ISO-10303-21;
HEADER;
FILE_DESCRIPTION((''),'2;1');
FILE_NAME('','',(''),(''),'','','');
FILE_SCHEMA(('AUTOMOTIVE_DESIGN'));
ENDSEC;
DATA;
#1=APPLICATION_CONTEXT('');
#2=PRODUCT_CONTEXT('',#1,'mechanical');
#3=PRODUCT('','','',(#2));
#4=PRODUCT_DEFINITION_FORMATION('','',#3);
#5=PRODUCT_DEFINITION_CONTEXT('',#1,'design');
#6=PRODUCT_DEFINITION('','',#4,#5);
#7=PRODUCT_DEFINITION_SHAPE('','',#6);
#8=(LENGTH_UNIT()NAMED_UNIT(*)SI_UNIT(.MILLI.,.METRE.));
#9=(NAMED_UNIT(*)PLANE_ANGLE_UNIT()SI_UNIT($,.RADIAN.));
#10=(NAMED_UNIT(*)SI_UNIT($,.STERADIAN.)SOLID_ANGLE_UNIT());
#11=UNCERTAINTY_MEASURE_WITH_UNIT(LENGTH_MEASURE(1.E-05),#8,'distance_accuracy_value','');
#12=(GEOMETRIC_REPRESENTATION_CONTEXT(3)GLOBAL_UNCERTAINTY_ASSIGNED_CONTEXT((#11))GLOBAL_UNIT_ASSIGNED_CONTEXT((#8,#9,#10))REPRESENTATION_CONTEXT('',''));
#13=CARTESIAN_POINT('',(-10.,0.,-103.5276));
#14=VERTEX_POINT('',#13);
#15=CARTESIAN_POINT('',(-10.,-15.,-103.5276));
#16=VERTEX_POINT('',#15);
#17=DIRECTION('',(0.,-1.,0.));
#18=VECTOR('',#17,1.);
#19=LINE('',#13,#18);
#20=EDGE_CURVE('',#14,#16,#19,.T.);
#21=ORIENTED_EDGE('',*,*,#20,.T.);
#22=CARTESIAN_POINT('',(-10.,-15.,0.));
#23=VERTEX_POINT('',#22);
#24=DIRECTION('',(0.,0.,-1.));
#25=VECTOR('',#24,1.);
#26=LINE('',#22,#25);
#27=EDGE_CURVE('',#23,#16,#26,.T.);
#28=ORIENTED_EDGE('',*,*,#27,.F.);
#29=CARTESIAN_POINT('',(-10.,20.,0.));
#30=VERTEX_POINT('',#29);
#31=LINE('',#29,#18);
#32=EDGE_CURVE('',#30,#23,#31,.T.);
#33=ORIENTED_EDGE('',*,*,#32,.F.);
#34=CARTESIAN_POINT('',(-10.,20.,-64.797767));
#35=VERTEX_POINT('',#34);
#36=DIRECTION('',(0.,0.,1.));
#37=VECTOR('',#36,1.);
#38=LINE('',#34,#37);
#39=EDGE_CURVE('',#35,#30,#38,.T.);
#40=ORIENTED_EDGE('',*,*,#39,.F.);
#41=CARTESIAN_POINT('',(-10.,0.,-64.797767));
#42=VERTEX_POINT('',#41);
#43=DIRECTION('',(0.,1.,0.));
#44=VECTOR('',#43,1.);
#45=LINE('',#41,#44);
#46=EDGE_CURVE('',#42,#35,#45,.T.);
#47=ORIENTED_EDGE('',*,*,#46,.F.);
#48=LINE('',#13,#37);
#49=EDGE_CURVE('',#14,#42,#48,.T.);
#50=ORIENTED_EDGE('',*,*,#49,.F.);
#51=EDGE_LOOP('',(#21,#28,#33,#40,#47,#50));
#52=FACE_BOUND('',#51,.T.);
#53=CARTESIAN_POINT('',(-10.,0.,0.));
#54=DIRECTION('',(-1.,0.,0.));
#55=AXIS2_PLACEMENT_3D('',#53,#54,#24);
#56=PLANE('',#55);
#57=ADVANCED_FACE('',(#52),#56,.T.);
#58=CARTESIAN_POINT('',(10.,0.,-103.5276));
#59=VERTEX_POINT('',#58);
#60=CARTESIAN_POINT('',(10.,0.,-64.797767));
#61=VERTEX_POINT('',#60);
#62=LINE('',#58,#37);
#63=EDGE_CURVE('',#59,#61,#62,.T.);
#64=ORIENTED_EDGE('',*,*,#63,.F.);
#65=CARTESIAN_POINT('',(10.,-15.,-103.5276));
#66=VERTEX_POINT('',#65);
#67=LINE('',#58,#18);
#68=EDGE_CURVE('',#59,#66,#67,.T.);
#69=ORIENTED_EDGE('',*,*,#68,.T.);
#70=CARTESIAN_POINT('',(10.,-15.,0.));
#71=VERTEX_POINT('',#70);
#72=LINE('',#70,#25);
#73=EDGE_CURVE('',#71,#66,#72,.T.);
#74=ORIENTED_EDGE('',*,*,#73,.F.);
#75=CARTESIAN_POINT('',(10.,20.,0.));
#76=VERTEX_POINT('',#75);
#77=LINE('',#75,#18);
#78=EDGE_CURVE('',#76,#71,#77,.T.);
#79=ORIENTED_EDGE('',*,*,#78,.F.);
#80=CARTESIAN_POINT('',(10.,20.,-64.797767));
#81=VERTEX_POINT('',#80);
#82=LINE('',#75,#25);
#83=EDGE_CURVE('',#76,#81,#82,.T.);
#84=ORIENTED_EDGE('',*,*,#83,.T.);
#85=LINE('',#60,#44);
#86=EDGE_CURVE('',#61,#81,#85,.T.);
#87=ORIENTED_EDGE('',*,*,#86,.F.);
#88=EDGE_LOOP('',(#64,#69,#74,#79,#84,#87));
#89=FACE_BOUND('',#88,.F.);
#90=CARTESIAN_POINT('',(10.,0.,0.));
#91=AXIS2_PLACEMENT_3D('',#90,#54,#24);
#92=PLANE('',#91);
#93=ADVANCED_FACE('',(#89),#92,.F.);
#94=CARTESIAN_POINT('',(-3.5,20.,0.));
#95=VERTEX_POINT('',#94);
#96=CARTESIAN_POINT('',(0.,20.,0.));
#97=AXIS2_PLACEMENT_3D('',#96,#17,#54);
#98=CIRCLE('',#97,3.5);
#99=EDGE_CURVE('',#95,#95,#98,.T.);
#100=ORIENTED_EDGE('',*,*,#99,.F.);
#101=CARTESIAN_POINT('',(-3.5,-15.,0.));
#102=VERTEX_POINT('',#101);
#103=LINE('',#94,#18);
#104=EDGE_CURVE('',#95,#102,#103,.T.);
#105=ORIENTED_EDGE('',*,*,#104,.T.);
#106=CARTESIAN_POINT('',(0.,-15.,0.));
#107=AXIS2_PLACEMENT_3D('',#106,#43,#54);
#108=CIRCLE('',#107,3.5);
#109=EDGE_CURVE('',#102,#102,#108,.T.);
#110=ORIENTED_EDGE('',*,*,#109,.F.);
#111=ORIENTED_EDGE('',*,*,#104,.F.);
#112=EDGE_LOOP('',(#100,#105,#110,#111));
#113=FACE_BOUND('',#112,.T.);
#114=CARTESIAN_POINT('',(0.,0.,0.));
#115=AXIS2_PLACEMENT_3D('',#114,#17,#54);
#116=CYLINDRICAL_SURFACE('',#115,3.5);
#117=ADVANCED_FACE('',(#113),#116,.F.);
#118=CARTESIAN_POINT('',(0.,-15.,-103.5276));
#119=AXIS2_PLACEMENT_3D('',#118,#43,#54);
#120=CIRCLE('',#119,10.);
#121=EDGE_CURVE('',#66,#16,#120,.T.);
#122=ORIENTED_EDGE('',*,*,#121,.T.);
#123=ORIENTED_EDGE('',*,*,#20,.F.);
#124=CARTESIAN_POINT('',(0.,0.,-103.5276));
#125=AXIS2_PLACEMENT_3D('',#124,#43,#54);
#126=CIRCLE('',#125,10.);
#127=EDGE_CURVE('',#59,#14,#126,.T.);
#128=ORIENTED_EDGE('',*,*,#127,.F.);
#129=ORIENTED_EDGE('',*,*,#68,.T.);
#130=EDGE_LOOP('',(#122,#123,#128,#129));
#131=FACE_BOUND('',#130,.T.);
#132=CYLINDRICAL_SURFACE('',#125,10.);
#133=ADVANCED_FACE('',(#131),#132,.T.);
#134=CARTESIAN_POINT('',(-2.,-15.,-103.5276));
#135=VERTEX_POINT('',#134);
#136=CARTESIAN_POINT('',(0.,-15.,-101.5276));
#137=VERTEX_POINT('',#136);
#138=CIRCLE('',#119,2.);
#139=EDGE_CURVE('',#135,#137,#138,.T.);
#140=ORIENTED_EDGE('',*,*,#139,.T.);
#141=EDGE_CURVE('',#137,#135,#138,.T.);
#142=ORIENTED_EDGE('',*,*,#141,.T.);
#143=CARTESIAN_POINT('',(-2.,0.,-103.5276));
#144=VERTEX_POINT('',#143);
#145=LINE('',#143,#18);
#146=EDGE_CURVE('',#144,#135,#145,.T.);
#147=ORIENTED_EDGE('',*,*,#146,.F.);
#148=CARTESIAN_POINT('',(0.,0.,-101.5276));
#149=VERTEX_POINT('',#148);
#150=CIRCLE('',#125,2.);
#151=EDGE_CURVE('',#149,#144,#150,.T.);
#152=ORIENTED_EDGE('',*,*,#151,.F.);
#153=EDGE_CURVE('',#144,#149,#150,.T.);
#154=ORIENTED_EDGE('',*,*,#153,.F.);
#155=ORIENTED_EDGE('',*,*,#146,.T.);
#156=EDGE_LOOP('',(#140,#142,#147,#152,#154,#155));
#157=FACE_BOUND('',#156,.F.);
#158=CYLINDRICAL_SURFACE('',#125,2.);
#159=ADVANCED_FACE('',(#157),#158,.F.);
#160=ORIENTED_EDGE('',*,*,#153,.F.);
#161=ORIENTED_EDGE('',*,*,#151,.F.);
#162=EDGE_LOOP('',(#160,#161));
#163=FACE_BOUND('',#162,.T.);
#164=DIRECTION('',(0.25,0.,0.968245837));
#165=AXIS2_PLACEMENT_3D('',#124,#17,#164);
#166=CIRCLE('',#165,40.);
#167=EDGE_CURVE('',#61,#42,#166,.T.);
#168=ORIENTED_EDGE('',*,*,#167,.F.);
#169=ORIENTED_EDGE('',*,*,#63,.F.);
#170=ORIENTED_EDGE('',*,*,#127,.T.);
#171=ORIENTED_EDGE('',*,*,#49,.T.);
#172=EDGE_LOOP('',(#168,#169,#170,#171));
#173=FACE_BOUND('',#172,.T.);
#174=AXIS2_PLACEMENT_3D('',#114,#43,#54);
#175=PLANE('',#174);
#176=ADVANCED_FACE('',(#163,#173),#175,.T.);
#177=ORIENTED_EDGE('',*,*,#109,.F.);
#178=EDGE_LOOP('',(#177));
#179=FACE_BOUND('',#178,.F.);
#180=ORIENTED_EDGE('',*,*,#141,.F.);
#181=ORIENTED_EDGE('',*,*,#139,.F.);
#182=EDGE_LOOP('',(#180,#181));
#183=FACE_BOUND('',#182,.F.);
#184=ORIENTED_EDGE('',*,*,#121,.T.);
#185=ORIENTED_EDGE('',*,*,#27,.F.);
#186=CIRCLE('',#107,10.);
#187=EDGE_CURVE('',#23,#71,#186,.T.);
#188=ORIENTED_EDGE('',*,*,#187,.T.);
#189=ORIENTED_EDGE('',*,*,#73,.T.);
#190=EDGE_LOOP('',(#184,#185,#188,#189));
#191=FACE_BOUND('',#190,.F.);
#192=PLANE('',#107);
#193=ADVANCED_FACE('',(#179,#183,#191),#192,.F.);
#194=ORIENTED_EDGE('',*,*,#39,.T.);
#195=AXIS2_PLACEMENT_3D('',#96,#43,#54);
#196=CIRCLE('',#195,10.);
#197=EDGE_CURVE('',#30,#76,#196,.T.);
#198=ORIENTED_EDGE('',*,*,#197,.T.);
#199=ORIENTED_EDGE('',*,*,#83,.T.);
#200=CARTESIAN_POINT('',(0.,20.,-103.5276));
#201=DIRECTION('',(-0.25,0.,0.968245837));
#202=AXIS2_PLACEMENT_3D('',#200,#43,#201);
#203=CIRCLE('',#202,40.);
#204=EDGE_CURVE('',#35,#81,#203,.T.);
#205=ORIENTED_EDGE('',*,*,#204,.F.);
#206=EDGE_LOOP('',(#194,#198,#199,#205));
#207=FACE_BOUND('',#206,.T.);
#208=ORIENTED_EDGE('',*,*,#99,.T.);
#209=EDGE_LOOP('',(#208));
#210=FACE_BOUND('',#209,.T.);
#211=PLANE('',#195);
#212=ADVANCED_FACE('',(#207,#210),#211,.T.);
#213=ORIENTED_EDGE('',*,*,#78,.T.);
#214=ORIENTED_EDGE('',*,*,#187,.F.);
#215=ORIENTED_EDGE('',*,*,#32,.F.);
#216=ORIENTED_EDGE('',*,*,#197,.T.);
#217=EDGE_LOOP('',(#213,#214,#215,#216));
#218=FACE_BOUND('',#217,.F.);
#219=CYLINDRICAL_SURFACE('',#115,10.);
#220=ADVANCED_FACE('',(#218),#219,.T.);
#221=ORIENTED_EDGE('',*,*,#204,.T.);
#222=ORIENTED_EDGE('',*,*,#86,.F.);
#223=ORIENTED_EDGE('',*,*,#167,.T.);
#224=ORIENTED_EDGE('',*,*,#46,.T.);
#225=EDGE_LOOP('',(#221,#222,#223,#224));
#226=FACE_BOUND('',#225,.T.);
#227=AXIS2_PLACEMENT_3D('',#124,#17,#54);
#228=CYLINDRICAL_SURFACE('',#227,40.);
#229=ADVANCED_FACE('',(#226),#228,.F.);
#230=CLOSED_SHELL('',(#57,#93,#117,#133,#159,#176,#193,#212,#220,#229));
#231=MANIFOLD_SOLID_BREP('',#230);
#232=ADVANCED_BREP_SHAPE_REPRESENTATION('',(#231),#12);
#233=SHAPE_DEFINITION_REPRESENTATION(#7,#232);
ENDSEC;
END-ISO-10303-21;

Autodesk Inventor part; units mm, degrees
ref_plane "YZ Plane" through (0, 0, 0) normal (1, 0, 0) x (0, 1, 0)
ref_plane "XZ Plane" through (0, 0, 0) normal (0, 1, 0) x (-1, 0, 0)
ref_plane "XY Plane" through (0, 0, 0) normal (0, 0, 1) x (1, 0, 0)
sketch "Sketch1" plane through (0, 0, 0) normal (0, 1, 0) x (-1, 0, 0)
  circle A0 centre (0, 0) radius 100
  line L0 (0, 0) -> (18.5658, -69.2885)
  line L1 (0, 0) -> (0, -103.5276)
  arc A1 (24.6448, -72.6673) -> (14.9907, -75.2542) centre (0, 0) ccw
  circle A2 centre (25.8819, -96.5926) radius 5
  arc A3 (24.729, -72.9816) -> (15.0747, -75.5678) centre (19.8599, -74.1181) ccw
  line L2 (30.6777, -95.1782) -> (24.6448, -72.6673)
  line L3 (21.0523, -97.8867) -> (14.9907, -75.2542)
  circle A4 centre (0, -103.5276) radius 11.6229
  line L4 (21.0523, -97.8867) -> (25.8819, -96.5926)
  arc A5 (-25.8819, -96.5926) -> (26.7197, -101.5219) centre (0, -103.5276) ccw
  circle A6 centre (0, -103.5276) radius 40
  arc A7 (57.9067, -50.8394) -> (50.8389, -57.9063) centre (54.2582, -54.2582) ccw
  line L5 (67.1751, -74.2462) -> (50.6094, -57.6767)
  line L6 (74.1567, -67.0879) -> (57.6767, -50.6094)
  circle A8 centre (70.7107, -70.7107) radius 5
  circle A9 centre (51.7638, -89.6575) radius 11.6229
  arc A10 (75.5684, -15.0748) -> (72.9809, -24.7289) centre (74.1181, -19.8599) ccw
  line L7 (95.2985, -30.7115) -> (72.6673, -24.6448)
  line L8 (97.7655, -21.0214) -> (75.2542, -14.9907)
  circle A11 centre (96.5926, -25.8819) radius 5
  circle A12 centre (89.6575, -51.7638) radius 11.6229
  arc A13 (72.9816, 24.729) -> (75.5678, 15.0747) centre (74.1181, 19.8599) ccw
  line L9 (97.8867, 21.0523) -> (75.2542, 14.9907)
  line L10 (95.1782, 30.6777) -> (72.6673, 24.6448)
  circle A14 centre (96.5926, 25.8819) radius 5
  circle A15 centre (103.5276, 0) radius 11.6229
  arc A16 (50.8394, 57.9067) -> (57.9063, 50.8389) centre (54.2582, 54.2582) ccw
  line L11 (74.2462, 67.1751) -> (57.6767, 50.6094)
  line L12 (67.0879, 74.1567) -> (50.6094, 57.6767)
  circle A17 centre (70.7107, 70.7107) radius 5
  circle A18 centre (89.6575, 51.7638) radius 11.6229
  arc A19 (15.0748, 75.5684) -> (24.7289, 72.9809) centre (19.8599, 74.1181) ccw
  line L13 (30.7115, 95.2985) -> (24.6448, 72.6673)
  line L14 (21.0214, 97.7655) -> (14.9907, 75.2542)
  circle A20 centre (25.8819, 96.5926) radius 5
  circle A21 centre (51.7638, 89.6575) radius 11.6229
  arc A22 (-24.729, 72.9816) -> (-15.0747, 75.5678) centre (-19.8599, 74.1181) ccw
  line L15 (-21.0523, 97.8867) -> (-14.9907, 75.2542)
  line L16 (-30.6777, 95.1782) -> (-24.6448, 72.6673)
  circle A23 centre (-25.8819, 96.5926) radius 5
  circle A24 centre (0, 103.5276) radius 11.6229
  arc A25 (-57.9067, 50.8394) -> (-50.8389, 57.9063) centre (-54.2582, 54.2582) ccw
  line L17 (-67.1751, 74.2462) -> (-50.6094, 57.6767)
  line L18 (-74.1567, 67.0879) -> (-57.6767, 50.6094)
  circle A26 centre (-70.7107, 70.7107) radius 5
  circle A27 centre (-51.7638, 89.6575) radius 11.6229
  arc A28 (-75.5684, 15.0748) -> (-72.9809, 24.7289) centre (-74.1181, 19.8599) ccw
  line L19 (-95.2985, 30.7115) -> (-72.6673, 24.6448)
  line L20 (-97.7655, 21.0214) -> (-75.2542, 14.9907)
  circle A29 centre (-96.5926, 25.8819) radius 5
  circle A30 centre (-89.6575, 51.7638) radius 11.6229
  arc A31 (-72.9816, -24.729) -> (-75.5678, -15.0747) centre (-74.1181, -19.8599) ccw
  line L21 (-97.8867, -21.0523) -> (-75.2542, -14.9907)
  line L22 (-95.1782, -30.6777) -> (-72.6673, -24.6448)
  circle A32 centre (-96.5926, -25.8819) radius 5
  circle A33 centre (-103.5276, 0) radius 11.6229
  arc A34 (-50.8394, -57.9067) -> (-57.9063, -50.8389) centre (-54.2582, -54.2582) ccw
  line L23 (-74.2462, -67.1751) -> (-57.6767, -50.6094)
  line L24 (-67.0879, -74.1567) -> (-50.6094, -57.6767)
  circle A35 centre (-70.7107, -70.7107) radius 5
  circle A36 centre (-89.6575, -51.7638) radius 11.6229
  arc A37 (-15.0748, -75.5684) -> (-24.7289, -72.9809) centre (-19.8599, -74.1181) ccw
  line L25 (-30.7115, -95.2985) -> (-24.6448, -72.6673)
  line L26 (-21.0214, -97.7655) -> (-14.9907, -75.2542)
  circle A38 centre (-25.8819, -96.5926) radius 5
  circle A39 centre (-51.7638, -89.6575) radius 11.6229
  circle A40 centre (0, 0) radius 3.5
  circle A41 centre (0, -103.5276) radius 2
  circle A42 centre (0, 0) radius 10
  circle A43 centre (0, -103.5276) radius 10
  line L27 (10, 0) -> (10, -103.5276)
  line L28 (-10, 0) -> (-10, -103.5276)
  point P0 (50.7227, -50.7227)
  point P1 (73.9009, -74.5607)
  point P2 (69.2885, -18.5658)
  point P3 (101.2804, -27.621)
  point P4 (69.2885, 18.5658)
  point P5 (101.5219, 26.7197)
  point P6 (50.7227, 50.7227)
  point P7 (74.5607, 73.9009)
  point P8 (18.5658, 69.2885)
  point P9 (27.621, 101.2804)
  point P10 (-18.5658, 69.2885)
  point P11 (-26.7197, 101.5219)
  point P12 (-50.7227, 50.7227)
  point P13 (-73.9009, 74.5607)
  point P14 (-69.2885, 18.5658)
  point P15 (-101.2804, 27.621)
  point P16 (-69.2885, -18.5658)
  point P17 (-101.5219, -26.7197)
  point P18 (-50.7227, -50.7227)
  point P19 (-74.5607, -73.9009)
  point P20 (-18.5658, -69.2885)
  point P21 (-27.621, -101.2804)
  point P22 (40.2917, -91.5236)
  point P23 (59.1159, -80.6555)
  point P24 (67.0867, -74.1578)
  point P25 (80.6555, -59.1159)
  point P26 (91.5236, -40.2917)
  point P27 (95.1777, -30.6791)
  point P28 (99.4077, -10.8682)
  point P29 (99.4077, 10.8682)
  point P30 (97.7659, 21.0199)
  point P31 (91.5236, 40.2917)
  point P32 (80.6555, 59.1159)
  point P33 (74.1578, 67.0867)
  point P34 (59.1159, 80.6555)
  point P35 (40.2917, 91.5236)
  point P36 (30.6791, 95.1777)
  point P37 (10.8682, 99.4077)
  point P38 (-10.8682, 99.4077)
  point P39 (-21.0199, 97.7659)
  point P40 (-40.2917, 91.5236)
  point P41 (-59.1159, 80.6555)
  point P42 (-67.0867, 74.1578)
  point P43 (-80.6555, 59.1159)
  point P44 (-91.5236, 40.2917)
  point P45 (-95.1777, 30.6791)
  point P46 (-99.4077, 10.8682)
  point P47 (-99.4077, -10.8682)
  point P48 (-97.7659, -21.0199)
  point P49 (-91.5236, -40.2917)
  point P50 (-80.6555, -59.1159)
  point P51 (-74.1578, -67.0867)
  point P52 (-59.1159, -80.6555)
  point P53 (-40.2917, -91.5236)
  point P54 (-30.6791, -95.1777)
  point P55 (-10.8682, -99.4077)
  point P56 (10.8682, -99.4077)
  point P57 (21.0199, -97.7659)
  point P58 (-10, -64.7978)
  point P59 (10, -64.7978)
  dimension "d2" = 200
  dimension "d3" = 15
  dimension "d4" = 10
  dimension "d5" = 10
  dimension "d6" = 80
  dimension "d7" = 360
  dimension "d8" = 7
  dimension "d9" = 4
  dimension "d10" = 20
  dimension "d11" = 20
extrude "Extrusion1" add sketch "Sketch1" along normal blind 20 contours L28 A42 L1 A6 | L1 A42 L0 L27 A6 | A42 L0 A40 L1 | L1 A40 L0 A42 | L27 L0 A42
extrude "Extrusion2" add sketch "Sketch1" against normal blind 15 contours L28 A4 L1 A43 A0 | A0 A43 L28 | L28 A1 L1 A4 | A43 L1 A0 | A0 A43 | A4 L27 A0 A43 L1 | L1 A1 L27 A4 | L28 A6 L1 A1 | L1 A43 A0 | A43 A0 L27 | L1 A6 L27 A1 | L28 A42 L1 A6 | L1 A42 L0 L27 A6 | A42 L0 A40 L1 | L1 A40 L0 A42 | L27 L0 A42
properties part number "SC-1-02-Bridge"
